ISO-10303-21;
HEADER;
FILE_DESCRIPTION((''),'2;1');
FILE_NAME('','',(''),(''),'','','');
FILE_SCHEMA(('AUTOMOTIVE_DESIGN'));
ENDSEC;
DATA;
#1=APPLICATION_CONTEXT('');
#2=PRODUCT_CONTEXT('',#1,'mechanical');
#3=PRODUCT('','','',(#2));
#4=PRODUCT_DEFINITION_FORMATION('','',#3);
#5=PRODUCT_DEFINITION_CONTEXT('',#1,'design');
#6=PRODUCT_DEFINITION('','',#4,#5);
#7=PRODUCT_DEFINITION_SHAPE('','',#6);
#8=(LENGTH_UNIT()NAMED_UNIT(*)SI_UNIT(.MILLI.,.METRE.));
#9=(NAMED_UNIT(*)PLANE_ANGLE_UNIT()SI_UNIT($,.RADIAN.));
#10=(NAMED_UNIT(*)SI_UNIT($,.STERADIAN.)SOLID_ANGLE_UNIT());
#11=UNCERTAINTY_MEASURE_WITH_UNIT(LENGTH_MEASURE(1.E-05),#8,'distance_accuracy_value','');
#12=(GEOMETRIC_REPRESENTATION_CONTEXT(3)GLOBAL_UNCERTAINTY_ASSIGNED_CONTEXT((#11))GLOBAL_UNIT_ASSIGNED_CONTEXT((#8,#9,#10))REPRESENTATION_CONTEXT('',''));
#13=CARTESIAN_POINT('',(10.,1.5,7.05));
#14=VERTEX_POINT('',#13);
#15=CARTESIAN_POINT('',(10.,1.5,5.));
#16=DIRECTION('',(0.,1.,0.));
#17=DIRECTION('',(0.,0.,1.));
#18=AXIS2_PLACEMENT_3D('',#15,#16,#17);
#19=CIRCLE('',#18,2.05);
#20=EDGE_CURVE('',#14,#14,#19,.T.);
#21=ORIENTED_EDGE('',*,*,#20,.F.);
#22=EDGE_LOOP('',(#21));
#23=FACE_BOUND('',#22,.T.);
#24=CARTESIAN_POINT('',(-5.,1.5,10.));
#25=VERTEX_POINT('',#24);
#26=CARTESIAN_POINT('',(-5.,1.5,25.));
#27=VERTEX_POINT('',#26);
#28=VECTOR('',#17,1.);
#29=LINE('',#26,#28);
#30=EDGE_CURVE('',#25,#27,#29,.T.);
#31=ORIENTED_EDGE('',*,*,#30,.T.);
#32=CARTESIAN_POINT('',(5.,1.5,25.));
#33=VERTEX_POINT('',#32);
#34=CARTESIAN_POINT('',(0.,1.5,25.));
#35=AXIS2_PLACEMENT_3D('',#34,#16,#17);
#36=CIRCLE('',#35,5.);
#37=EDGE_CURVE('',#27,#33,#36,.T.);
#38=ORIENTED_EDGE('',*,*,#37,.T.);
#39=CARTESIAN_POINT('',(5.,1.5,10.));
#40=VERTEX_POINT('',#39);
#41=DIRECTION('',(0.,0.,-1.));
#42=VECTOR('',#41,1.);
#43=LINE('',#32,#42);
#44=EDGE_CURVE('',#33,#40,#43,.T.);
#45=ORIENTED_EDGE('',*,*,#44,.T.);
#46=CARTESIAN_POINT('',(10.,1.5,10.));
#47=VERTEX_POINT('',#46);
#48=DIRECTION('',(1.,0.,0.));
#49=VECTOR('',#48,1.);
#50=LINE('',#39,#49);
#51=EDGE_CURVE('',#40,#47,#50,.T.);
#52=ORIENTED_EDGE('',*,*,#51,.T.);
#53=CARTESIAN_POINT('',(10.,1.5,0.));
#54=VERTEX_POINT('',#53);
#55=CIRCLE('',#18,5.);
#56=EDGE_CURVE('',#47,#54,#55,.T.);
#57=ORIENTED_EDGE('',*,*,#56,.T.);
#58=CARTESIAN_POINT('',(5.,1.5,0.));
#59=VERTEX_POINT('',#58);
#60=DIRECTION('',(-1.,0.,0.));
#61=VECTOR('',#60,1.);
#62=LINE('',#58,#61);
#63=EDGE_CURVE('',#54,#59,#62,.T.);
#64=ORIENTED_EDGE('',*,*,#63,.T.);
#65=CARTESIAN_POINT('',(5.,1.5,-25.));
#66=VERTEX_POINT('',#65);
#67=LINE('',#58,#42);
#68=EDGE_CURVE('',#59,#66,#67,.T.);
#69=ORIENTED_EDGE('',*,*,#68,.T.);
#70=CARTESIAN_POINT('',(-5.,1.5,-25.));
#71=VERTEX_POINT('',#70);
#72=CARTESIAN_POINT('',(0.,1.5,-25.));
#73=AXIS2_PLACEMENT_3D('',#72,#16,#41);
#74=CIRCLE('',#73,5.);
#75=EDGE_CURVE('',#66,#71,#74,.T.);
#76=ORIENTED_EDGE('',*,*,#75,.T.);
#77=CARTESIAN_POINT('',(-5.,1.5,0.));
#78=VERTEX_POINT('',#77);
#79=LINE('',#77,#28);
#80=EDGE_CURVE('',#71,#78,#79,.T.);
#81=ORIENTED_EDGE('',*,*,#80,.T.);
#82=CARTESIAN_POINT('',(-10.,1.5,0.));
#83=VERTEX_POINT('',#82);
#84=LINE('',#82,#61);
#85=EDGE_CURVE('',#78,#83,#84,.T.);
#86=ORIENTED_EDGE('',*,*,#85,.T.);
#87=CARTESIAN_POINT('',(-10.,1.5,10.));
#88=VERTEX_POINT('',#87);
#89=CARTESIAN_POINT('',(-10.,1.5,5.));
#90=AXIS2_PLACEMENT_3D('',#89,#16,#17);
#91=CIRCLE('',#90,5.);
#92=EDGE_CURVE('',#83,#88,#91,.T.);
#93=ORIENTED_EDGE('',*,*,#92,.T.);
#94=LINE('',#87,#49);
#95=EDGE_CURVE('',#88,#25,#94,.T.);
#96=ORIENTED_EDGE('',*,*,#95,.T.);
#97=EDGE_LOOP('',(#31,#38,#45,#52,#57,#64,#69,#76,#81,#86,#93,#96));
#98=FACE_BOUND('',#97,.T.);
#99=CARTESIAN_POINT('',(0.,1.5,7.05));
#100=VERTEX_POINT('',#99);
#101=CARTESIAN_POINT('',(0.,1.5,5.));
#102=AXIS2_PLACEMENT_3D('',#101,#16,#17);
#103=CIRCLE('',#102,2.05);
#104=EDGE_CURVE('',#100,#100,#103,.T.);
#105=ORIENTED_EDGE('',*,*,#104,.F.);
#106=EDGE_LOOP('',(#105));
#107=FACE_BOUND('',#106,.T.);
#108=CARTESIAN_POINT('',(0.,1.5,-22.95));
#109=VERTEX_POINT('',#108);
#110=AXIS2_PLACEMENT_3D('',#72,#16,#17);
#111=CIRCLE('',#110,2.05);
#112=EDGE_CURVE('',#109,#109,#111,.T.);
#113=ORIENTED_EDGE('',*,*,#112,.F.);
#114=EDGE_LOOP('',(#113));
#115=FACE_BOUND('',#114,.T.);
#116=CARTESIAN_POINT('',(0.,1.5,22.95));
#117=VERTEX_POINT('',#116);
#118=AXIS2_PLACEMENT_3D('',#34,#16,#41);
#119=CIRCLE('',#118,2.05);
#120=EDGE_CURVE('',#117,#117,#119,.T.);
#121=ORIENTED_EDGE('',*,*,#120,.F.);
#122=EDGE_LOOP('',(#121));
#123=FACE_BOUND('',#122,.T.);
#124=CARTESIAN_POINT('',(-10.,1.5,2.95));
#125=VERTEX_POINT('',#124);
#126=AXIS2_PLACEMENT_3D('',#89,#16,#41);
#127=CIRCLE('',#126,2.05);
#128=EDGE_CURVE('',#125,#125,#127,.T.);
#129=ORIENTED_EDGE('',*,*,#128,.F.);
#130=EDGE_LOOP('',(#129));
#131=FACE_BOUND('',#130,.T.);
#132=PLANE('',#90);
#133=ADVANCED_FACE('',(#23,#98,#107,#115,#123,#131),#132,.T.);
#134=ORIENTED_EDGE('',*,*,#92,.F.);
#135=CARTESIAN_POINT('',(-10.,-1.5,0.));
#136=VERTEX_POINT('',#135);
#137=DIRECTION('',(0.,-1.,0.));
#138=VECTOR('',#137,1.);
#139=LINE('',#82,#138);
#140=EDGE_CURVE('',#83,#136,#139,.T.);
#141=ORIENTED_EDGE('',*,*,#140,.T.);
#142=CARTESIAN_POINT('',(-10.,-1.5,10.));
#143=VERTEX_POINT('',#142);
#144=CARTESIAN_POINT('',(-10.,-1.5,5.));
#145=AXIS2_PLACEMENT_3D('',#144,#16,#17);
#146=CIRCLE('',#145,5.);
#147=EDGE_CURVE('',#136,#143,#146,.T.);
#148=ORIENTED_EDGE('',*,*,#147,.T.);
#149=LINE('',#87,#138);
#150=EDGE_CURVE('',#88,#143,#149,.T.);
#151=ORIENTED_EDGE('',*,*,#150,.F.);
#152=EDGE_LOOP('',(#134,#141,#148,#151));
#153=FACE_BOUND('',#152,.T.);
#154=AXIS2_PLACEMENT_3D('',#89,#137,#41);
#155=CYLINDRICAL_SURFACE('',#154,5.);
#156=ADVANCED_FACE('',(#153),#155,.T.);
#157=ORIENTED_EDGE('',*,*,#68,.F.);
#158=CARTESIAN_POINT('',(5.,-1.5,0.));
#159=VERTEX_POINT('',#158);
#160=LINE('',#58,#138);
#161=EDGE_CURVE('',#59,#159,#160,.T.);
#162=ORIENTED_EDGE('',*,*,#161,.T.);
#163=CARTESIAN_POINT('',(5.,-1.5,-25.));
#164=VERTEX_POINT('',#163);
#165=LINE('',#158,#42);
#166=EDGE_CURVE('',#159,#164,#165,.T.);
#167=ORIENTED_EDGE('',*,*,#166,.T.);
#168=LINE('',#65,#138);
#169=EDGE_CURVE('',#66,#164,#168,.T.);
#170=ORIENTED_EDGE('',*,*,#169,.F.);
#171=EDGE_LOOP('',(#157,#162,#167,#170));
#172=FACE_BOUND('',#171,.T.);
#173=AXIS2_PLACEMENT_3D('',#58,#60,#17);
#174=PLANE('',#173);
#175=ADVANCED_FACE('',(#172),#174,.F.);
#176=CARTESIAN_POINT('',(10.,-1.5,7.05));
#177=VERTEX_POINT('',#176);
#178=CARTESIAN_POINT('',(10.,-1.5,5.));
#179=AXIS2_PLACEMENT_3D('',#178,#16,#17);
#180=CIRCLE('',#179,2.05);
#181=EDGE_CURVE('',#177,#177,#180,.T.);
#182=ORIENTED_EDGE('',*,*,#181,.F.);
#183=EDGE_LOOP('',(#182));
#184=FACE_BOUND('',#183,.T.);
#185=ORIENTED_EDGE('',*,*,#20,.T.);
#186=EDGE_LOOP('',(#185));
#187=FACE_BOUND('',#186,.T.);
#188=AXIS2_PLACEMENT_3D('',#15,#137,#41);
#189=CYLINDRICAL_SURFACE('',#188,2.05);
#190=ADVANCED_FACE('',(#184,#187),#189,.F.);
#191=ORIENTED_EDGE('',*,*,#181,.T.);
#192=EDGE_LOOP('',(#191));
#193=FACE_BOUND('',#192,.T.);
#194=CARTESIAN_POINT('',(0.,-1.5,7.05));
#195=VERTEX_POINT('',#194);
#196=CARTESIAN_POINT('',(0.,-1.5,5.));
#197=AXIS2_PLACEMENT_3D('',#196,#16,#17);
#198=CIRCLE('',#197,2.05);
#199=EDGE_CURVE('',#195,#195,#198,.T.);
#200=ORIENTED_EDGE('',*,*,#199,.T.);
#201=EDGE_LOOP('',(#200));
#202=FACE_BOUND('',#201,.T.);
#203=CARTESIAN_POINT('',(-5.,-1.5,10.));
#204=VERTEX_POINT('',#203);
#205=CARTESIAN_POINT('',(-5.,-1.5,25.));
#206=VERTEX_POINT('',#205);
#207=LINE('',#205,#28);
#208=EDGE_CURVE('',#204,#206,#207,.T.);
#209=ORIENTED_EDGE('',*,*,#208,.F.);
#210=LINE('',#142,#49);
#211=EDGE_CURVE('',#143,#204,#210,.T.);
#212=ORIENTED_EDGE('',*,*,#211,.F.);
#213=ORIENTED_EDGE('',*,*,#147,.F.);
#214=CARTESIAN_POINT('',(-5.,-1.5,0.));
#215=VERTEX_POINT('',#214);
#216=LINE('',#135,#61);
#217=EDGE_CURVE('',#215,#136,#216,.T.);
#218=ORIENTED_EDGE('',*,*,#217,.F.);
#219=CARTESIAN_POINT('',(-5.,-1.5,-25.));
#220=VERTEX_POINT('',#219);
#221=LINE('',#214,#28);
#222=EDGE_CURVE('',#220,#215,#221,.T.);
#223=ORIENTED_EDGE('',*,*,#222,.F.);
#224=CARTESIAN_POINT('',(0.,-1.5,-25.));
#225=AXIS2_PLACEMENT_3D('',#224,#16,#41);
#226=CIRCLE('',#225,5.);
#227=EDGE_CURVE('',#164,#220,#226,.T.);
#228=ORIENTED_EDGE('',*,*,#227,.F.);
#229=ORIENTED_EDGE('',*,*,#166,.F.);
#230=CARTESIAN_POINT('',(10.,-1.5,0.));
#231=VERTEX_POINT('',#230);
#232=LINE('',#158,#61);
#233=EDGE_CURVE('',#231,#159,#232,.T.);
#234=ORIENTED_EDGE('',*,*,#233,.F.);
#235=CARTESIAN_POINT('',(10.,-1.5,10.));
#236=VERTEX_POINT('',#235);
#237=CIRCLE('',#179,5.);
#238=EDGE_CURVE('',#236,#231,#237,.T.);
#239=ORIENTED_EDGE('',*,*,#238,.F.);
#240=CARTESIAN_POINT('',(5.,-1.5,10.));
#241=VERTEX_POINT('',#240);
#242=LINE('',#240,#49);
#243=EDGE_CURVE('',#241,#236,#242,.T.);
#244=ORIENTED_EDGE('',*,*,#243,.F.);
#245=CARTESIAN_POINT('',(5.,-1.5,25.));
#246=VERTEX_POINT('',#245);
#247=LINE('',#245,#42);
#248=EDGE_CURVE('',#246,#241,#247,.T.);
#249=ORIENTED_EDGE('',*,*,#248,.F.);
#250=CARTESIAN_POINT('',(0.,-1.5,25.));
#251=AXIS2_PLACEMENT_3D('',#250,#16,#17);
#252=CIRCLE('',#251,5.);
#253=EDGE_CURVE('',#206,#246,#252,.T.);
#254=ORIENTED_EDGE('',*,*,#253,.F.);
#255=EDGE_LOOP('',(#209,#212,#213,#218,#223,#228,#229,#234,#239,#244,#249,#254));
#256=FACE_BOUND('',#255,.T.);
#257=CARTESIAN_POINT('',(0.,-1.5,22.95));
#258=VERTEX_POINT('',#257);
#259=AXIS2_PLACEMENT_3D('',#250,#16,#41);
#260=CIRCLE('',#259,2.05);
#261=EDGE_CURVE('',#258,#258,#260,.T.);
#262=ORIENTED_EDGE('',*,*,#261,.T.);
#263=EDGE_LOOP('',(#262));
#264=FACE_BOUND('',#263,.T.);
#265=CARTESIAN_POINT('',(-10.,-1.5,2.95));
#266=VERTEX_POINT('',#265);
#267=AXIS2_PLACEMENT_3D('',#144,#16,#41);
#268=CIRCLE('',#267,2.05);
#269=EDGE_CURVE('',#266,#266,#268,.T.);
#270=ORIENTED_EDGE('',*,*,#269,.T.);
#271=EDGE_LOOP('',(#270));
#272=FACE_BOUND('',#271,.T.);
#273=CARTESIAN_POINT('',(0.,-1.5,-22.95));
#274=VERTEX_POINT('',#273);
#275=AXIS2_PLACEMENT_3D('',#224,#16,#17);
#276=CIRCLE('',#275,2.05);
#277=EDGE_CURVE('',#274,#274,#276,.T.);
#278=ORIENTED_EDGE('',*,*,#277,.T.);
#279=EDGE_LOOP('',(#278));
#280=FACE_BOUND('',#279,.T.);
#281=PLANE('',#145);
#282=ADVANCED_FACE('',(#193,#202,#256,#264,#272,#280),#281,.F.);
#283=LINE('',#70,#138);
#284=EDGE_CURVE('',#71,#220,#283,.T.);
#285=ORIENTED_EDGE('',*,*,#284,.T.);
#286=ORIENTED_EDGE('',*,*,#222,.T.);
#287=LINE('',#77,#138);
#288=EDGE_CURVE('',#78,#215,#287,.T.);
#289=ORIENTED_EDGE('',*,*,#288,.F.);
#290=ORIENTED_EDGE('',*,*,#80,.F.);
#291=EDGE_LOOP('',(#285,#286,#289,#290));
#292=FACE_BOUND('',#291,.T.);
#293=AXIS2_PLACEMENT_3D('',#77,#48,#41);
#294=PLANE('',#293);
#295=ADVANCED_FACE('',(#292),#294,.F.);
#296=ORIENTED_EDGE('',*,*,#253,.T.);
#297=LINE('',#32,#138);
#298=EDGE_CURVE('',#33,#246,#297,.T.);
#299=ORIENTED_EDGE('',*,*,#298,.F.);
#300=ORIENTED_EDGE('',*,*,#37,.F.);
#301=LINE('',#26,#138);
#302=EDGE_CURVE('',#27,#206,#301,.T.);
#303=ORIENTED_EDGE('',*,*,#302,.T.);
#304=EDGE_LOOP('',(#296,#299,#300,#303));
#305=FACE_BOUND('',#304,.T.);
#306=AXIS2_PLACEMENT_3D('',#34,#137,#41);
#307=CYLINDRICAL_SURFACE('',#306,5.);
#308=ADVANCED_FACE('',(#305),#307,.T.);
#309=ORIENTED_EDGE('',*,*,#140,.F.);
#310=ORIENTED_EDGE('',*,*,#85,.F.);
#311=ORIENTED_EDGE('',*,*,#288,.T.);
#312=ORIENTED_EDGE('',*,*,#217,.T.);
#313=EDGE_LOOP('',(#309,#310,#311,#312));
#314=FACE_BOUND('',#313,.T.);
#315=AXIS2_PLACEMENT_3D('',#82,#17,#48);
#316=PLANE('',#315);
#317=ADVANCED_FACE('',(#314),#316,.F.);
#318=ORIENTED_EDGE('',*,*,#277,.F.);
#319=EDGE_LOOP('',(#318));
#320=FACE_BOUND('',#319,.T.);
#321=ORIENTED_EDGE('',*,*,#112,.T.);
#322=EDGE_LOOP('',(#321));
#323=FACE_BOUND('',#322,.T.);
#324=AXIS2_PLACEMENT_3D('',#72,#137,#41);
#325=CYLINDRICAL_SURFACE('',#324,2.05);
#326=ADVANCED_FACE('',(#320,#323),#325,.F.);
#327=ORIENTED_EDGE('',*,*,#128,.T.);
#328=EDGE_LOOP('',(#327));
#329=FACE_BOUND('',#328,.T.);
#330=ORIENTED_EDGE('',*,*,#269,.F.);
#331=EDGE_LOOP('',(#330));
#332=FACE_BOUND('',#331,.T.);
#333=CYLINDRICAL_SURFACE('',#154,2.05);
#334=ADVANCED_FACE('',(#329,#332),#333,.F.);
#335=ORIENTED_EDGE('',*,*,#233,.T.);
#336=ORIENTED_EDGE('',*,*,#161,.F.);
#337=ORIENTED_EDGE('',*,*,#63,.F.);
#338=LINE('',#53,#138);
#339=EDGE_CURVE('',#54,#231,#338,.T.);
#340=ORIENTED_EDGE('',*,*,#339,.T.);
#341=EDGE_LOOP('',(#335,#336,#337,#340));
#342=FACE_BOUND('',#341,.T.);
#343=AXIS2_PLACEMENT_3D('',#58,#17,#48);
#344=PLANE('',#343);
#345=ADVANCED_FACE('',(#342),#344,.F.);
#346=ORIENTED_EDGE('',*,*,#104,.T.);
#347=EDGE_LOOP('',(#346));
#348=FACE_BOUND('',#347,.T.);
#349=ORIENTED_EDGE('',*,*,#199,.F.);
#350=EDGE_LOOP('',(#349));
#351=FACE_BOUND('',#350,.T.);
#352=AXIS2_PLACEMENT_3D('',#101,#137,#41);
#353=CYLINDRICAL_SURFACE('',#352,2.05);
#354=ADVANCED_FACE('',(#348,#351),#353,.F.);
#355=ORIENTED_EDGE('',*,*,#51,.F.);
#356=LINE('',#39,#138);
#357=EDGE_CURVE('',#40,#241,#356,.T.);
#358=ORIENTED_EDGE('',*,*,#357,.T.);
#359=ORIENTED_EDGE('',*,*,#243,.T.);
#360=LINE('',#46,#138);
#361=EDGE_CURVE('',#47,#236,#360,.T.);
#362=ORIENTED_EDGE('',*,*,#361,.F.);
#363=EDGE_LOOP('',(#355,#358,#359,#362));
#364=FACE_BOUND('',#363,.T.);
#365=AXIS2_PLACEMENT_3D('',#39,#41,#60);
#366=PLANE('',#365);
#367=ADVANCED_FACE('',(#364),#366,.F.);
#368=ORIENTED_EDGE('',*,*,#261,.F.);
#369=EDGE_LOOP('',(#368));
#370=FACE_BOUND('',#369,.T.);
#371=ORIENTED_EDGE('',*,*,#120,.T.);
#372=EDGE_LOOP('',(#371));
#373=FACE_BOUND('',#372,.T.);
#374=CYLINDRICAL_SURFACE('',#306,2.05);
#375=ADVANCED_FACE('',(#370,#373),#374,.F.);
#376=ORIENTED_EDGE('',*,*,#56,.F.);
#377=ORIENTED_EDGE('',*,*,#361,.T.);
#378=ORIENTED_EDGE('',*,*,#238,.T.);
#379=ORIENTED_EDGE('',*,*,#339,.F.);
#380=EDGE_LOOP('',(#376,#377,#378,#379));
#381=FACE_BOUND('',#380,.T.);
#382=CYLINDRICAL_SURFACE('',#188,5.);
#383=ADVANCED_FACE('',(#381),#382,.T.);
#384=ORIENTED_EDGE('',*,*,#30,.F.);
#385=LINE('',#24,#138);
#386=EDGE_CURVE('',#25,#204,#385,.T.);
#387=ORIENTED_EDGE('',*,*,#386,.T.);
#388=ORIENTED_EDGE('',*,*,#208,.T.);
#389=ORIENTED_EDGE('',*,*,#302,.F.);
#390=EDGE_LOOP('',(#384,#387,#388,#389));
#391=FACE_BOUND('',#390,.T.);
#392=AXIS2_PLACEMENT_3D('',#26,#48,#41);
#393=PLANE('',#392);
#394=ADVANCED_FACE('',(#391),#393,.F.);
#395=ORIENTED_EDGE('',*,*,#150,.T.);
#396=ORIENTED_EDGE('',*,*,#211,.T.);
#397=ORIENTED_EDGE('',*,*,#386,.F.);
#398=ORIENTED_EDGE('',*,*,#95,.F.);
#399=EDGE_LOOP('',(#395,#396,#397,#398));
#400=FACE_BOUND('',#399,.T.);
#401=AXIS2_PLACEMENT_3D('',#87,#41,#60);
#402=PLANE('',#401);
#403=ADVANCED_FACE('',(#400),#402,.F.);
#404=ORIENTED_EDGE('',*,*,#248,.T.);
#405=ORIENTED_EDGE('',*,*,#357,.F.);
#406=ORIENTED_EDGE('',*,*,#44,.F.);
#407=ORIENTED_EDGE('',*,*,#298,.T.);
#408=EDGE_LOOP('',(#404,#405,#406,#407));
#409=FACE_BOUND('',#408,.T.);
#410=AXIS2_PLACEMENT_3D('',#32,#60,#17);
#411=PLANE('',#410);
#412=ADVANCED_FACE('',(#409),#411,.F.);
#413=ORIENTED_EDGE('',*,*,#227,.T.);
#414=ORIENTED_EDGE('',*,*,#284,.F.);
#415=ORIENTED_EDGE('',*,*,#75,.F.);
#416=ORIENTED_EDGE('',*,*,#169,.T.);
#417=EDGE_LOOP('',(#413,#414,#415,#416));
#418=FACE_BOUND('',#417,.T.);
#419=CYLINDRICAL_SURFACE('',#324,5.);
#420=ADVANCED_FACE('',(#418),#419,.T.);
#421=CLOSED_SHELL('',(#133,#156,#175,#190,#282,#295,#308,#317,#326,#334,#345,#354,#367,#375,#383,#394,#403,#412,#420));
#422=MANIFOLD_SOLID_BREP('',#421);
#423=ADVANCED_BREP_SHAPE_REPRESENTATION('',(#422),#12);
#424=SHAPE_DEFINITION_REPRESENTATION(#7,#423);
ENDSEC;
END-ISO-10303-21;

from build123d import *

# Parameters (mm, degrees)
SKETCH1_R           = 2.05
BOSS_EXTRUDE1_DEPTH = 1.5


with BuildPart() as part:
    # Sketch1 → Boss-Extrude1 (new, symmetric)
    with BuildSketch(Plane(origin=(0, 0, 0), x_dir=(1, 0, 0), z_dir=(0, 1, 0))):
        with BuildLine():
            Line((-10, 0), (-5, 0))
            Line((-5, 0), (-5, 25))
            ThreePointArc((-5, 25), (0, 30), (5, 25))
            Line((5, 25), (5, 0))
            Line((5, 0), (10, 0))
            ThreePointArc((10, 0), (15, -5), (10, -10))
            Line((10, -10), (5, -10))
            Line((5, -10), (5, -25))
            ThreePointArc((5, -25), (0, -30), (-5, -25))
            Line((-5, -25), (-5, -10))
            Line((-5, -10), (-10, -10))
            ThreePointArc((-10, -10), (-15, -5), (-10, 0))
        make_face()
        with Locations(Location((10, -5, 0), (0, 0, 270))):
            Circle(SKETCH1_R, mode=Mode.SUBTRACT)
        with Locations(Location((-10, -5, 0), (0, 0, 90))):
            Circle(SKETCH1_R, mode=Mode.SUBTRACT)
        with Locations(Location((0, -5, 0), (0, 0, 270))):
            Circle(SKETCH1_R, mode=Mode.SUBTRACT)
        with Locations(Location((0, 25, 0), (0, 0, 270))):
            Circle(SKETCH1_R, mode=Mode.SUBTRACT)
        with Locations(Location((0, -25, 0), (0, 0, 90))):
            Circle(SKETCH1_R, mode=Mode.SUBTRACT)
    extrude(amount=BOSS_EXTRUDE1_DEPTH, both=True)


solid = part.part
